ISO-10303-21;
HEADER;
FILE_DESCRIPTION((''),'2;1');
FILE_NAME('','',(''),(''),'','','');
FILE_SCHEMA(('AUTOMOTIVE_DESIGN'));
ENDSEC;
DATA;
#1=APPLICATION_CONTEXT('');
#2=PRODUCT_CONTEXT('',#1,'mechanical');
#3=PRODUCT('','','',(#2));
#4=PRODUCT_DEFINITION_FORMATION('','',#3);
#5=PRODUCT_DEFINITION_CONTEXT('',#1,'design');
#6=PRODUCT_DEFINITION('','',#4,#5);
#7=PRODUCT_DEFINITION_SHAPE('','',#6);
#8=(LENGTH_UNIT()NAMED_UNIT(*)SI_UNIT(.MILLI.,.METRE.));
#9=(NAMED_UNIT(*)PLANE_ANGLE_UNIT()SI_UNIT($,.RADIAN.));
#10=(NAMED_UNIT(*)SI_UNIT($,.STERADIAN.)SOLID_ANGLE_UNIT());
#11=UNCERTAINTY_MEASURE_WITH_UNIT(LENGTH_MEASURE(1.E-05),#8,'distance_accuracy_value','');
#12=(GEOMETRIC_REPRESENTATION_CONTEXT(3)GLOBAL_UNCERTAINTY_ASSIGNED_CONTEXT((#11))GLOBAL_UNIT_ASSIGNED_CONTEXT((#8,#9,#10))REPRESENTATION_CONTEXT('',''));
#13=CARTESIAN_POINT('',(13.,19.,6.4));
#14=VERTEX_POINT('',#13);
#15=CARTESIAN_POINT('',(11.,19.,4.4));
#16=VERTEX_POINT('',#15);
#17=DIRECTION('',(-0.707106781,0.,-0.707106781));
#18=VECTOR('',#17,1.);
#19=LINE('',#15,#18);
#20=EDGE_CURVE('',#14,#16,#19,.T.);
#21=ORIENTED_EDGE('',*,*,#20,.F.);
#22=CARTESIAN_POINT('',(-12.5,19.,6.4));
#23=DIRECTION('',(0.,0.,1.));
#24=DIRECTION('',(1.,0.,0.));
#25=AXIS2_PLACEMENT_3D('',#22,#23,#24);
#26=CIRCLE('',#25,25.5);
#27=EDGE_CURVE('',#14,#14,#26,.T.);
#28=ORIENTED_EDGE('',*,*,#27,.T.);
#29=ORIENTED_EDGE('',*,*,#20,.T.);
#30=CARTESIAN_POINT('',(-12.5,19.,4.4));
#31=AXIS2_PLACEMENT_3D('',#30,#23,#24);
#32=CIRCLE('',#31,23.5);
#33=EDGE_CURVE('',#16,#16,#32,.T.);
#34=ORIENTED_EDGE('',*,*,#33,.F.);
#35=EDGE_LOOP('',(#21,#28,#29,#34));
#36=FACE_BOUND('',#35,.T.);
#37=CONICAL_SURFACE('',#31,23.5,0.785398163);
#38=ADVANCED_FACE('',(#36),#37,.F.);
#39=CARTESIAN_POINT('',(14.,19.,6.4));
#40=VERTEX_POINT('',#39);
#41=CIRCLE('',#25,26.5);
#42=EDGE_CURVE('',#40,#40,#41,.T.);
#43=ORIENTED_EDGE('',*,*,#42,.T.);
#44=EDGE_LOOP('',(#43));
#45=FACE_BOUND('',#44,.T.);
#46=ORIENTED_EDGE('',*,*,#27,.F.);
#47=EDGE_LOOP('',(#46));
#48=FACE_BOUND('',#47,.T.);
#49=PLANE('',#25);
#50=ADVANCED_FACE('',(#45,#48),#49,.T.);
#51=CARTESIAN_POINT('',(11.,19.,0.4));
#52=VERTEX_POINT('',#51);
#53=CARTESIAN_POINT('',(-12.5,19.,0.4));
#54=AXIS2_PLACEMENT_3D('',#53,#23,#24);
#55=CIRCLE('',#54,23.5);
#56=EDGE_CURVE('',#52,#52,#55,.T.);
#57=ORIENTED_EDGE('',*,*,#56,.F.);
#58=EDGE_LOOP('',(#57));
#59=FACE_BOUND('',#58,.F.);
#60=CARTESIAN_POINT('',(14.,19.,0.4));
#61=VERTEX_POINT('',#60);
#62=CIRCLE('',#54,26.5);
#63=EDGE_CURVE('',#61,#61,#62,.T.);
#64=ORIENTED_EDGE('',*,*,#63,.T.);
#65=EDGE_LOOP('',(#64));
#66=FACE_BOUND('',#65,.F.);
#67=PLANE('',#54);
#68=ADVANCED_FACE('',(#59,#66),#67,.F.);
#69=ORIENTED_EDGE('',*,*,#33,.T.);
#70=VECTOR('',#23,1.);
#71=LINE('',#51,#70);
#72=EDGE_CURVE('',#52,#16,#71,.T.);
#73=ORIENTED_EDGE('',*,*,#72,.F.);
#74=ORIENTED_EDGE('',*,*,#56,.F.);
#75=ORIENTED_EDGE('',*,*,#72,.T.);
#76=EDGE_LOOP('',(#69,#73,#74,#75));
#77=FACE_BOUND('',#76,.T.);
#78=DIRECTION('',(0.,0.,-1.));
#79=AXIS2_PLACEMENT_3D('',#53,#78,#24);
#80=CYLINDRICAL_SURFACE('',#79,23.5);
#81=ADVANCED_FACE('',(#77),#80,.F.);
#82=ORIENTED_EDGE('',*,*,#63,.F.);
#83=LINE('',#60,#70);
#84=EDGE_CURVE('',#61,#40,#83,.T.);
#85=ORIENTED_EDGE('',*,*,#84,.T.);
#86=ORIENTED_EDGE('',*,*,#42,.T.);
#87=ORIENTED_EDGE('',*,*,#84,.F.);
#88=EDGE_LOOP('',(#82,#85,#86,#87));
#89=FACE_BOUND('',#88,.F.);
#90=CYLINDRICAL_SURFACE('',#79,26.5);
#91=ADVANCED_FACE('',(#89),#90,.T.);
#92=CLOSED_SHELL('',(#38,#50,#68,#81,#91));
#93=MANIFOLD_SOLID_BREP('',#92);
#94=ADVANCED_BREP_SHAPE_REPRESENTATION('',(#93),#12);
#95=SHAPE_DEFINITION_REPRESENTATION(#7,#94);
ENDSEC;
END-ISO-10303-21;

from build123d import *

# Parameters (mm, degrees)
CYLINDER025_R     = 23.5
CYLINDER025_DEPTH = 6
CYLINDER024_R     = 26.5
CYLINDER024_DEPTH = 6
CHAMFER013_SIZE   = 2


with BuildPart() as arco_interior_vaciado:
    # Cylinder025 → Cylinder025 (new body)
    with BuildSketch(Plane(origin=(-12.5, 19, -10.6), x_dir=(1, 0, 0), z_dir=(0, 0, 1))):
        Circle(CYLINDER025_R)
    extrude(amount=CYLINDER025_DEPTH)


with BuildPart() as aro:
    # Cylinder024 → Cylinder024 (new body)
    with BuildSketch(Plane(origin=(-12.5, 19, -10.6), x_dir=(1, 0, 0), z_dir=(0, 0, 1))):
        Circle(CYLINDER024_R)
    extrude(amount=CYLINDER024_DEPTH)

    # Cut012: cut arco interior vaciado
    add(arco_interior_vaciado.part, mode=Mode.SUBTRACT)


with BuildPart() as aro_1:
    # Cut012 placement: moved
    add(aro.part.moved(Location((0, 0, 11))))

    # Chamfer013
    chamfer013_edges = [aro_1.edges().sort_by_distance(p)[0] for p in [
        (-36, 19, 6.4),
    ]]
    chamfer(chamfer013_edges, length=CHAMFER013_SIZE)


solid = aro_1.part
